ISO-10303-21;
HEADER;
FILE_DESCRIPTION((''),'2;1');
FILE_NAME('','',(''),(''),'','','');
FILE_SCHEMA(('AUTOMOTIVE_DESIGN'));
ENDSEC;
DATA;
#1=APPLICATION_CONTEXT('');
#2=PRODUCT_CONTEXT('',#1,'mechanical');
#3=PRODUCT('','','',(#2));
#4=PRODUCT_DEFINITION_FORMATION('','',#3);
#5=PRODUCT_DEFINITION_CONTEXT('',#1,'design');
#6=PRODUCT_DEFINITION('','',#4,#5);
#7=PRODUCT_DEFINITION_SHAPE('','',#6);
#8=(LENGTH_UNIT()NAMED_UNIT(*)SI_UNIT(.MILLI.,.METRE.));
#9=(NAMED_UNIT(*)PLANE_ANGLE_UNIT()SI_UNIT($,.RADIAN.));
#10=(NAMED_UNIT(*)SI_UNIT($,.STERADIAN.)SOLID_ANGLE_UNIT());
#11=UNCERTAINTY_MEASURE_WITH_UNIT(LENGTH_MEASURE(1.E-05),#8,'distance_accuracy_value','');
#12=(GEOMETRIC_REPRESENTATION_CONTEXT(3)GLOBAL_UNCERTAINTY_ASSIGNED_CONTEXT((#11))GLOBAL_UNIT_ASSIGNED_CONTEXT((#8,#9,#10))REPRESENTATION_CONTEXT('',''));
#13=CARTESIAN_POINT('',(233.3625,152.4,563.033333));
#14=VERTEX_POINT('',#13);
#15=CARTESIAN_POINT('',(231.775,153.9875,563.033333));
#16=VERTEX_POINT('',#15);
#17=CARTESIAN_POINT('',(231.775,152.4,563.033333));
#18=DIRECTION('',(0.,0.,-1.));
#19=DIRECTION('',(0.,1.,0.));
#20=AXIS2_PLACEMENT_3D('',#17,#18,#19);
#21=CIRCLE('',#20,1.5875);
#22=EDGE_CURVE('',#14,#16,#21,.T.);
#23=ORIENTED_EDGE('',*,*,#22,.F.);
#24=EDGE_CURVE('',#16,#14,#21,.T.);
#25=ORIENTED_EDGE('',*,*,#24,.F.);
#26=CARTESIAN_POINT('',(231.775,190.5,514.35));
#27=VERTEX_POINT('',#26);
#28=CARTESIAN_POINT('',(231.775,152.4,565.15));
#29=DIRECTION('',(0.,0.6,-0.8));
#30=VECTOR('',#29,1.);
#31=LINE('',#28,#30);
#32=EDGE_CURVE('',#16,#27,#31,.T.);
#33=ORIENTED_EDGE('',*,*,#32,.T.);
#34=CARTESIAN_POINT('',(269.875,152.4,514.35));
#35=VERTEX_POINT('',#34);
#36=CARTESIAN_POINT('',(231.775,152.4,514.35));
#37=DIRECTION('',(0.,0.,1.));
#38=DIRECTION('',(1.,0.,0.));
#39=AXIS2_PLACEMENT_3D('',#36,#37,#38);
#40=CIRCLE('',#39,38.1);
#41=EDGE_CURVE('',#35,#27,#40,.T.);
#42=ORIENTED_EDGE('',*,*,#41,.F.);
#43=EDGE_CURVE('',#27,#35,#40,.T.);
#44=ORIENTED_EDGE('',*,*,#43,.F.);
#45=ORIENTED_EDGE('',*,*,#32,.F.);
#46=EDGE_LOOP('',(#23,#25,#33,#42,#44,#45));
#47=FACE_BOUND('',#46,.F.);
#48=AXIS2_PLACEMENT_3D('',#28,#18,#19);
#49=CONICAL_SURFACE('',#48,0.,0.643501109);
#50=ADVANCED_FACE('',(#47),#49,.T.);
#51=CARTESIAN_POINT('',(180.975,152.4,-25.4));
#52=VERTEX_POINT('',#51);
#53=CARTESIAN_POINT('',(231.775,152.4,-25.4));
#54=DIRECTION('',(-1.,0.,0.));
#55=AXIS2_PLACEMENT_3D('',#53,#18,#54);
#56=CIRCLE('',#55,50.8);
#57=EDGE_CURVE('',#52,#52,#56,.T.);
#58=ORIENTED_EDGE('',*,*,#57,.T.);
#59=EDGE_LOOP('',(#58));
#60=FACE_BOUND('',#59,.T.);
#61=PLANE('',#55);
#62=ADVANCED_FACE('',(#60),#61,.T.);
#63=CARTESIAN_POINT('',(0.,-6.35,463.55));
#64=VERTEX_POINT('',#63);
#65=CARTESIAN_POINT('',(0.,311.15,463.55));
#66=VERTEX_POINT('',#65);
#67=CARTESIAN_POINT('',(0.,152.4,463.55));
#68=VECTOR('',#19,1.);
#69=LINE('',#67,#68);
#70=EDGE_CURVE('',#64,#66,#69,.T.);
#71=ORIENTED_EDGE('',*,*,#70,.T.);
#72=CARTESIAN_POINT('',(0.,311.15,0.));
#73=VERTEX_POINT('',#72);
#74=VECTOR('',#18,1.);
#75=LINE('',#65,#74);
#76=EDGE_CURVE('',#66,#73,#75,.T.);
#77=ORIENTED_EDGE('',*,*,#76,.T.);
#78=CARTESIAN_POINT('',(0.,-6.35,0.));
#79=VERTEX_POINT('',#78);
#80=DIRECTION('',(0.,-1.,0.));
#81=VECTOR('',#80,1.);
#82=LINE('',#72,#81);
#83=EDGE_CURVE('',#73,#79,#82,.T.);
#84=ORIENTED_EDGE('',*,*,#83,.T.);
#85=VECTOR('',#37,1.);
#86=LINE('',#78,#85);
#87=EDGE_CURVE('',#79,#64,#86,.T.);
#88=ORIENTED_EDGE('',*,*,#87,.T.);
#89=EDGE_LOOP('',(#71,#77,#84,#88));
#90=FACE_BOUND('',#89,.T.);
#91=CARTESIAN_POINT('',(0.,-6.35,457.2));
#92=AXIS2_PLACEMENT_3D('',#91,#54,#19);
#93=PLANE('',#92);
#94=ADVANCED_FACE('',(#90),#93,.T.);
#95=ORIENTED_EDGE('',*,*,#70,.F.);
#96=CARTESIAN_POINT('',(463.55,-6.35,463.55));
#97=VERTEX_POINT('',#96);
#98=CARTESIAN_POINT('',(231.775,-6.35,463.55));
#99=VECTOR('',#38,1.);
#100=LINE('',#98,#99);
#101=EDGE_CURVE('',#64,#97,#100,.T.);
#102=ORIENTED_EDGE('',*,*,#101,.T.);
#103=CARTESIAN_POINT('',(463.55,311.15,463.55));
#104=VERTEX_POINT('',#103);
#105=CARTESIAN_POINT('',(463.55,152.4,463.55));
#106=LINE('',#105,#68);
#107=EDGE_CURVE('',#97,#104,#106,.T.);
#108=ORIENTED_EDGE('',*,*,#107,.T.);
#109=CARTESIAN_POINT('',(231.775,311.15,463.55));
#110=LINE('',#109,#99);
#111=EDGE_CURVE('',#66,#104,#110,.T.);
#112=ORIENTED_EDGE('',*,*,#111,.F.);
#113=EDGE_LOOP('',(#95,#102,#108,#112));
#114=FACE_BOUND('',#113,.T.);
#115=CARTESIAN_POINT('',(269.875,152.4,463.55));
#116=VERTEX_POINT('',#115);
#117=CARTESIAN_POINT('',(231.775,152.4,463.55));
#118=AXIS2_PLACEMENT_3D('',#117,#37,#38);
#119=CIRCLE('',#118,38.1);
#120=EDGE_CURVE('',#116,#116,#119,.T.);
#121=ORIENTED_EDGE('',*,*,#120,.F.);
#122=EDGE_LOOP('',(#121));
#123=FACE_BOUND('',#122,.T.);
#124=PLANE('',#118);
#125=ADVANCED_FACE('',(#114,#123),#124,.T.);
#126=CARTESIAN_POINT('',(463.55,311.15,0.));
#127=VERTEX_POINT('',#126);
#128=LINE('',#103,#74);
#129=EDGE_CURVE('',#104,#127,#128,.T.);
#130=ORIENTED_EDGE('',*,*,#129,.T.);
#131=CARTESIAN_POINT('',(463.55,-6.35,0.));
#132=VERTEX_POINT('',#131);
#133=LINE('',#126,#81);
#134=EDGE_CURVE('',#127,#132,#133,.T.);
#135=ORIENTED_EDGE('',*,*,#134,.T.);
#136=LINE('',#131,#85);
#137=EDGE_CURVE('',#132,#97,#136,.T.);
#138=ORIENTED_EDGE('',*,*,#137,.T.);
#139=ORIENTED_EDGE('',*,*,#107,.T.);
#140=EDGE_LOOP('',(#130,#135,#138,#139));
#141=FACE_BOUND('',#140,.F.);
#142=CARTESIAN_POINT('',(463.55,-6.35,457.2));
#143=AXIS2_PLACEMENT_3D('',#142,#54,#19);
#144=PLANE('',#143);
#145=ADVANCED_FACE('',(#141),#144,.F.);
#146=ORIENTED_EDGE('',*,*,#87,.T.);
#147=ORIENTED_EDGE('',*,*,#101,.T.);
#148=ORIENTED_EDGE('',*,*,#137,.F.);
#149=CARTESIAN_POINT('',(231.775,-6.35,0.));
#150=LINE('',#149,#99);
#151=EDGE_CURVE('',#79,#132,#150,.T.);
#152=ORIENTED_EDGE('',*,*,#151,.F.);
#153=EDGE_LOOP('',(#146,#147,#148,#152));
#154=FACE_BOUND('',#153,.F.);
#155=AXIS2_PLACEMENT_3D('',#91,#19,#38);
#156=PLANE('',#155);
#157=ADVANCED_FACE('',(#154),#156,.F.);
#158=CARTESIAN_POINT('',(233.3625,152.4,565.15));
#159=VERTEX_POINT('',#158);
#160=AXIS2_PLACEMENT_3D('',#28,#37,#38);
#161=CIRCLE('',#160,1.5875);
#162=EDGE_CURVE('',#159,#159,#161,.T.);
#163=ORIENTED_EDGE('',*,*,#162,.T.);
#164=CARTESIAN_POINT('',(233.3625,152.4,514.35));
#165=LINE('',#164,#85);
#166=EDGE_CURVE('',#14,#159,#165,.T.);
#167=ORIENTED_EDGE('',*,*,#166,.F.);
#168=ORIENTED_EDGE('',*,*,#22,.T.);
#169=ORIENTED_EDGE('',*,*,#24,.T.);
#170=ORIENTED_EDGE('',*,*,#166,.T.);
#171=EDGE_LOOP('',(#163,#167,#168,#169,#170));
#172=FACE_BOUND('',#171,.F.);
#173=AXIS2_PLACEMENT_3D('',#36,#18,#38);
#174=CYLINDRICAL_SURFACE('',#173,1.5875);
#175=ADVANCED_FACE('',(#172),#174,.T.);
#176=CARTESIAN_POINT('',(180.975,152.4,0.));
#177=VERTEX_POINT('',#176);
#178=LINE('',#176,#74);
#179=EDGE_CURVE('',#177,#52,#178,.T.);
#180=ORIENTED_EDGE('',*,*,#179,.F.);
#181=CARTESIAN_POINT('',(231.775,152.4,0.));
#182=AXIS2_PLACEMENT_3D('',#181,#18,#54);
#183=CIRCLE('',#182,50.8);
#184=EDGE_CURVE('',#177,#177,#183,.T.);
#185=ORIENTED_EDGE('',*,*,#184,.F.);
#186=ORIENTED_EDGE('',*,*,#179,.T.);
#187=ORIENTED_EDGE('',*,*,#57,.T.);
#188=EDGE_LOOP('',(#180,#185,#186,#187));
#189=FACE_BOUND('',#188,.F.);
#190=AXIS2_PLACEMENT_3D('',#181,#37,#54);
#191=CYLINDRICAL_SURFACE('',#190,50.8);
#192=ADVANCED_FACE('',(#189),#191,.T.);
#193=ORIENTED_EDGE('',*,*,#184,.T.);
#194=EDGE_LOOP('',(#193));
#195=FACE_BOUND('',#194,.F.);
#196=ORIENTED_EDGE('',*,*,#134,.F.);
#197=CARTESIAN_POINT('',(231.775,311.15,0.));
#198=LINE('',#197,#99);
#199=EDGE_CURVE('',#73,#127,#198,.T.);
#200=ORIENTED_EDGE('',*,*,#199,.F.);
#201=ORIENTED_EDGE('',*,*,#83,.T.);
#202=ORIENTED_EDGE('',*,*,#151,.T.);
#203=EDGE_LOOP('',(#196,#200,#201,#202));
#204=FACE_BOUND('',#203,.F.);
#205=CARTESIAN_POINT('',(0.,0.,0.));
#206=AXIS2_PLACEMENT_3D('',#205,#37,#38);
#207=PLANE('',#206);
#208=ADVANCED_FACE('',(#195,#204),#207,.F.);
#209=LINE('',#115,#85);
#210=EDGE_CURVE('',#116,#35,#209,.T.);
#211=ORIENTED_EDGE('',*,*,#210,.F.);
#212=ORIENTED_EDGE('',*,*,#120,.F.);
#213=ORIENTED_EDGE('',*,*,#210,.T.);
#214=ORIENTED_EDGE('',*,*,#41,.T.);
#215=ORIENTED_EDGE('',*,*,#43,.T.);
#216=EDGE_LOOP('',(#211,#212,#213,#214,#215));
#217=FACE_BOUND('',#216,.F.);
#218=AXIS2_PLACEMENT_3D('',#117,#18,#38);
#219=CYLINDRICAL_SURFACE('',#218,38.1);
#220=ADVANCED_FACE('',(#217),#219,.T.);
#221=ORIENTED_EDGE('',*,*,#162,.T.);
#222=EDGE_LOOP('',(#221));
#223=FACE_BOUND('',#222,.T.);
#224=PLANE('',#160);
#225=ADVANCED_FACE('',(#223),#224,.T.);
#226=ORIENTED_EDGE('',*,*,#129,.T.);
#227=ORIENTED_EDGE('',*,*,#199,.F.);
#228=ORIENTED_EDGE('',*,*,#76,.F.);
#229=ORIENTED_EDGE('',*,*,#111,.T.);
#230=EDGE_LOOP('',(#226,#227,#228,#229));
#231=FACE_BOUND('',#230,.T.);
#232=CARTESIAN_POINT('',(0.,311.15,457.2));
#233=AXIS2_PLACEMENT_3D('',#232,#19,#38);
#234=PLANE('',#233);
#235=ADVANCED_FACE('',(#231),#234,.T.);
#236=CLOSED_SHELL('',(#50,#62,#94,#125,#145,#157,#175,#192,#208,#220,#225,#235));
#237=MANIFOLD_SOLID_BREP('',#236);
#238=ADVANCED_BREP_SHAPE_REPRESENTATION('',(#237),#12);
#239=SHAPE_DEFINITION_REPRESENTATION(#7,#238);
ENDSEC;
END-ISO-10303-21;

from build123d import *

# Parameters (mm, degrees)
SKETCH1_W           = 457.2
SKETCH1_H           = 304.8
CHAMBER_BASE_DEPTH  = 457.2
SKETCH2_W           = 457.2
SKETCH2_H           = 304.8
BACK_WALL_DEPTH     = 6.35
SKETCH3_W           = 463.55
SKETCH3_H           = 457.2
SIDE_WALL_2_DEPTH   = 6.35
SKETCH5_W           = 463.55
SKETCH5_H           = 457.2
SIDE_WALL_3_DEPTH   = 6.35
SKETCH8_W           = 463.55
SKETCH8_H           = 317.5
TOP_DEPTH           = 6.35
SKETCH9_R           = 38.1
BOSS_EXTRUDE1_DEPTH = 50.8
SKETCH10_R          = 50.8
BOSS_EXTRUDE2_DEPTH = 25.4
SKETCH11_R          = 1.5875
BOSS_EXTRUDE3_DEPTH = 50.8


with BuildPart() as part:
    # Sketch1 → Chamber Base (new body)
    with BuildSketch(Plane.XY):
        with Locations((228.6, 152.4)):
            Rectangle(SKETCH1_W, SKETCH1_H)
    extrude(amount=CHAMBER_BASE_DEPTH)

    # Sketch2 → Back wall (add)
    with BuildSketch(Plane(origin=(457.2, 0, 0), x_dir=(0, 0, -1), z_dir=(1, 0, 0))):
        with Locations((-228.6, 152.4)):
            Rectangle(SKETCH2_W, SKETCH2_H)
    extrude(amount=BACK_WALL_DEPTH)

    # Sketch3 → Side wall 2 (add)
    with BuildSketch(Plane(origin=(0, 304.8, 0), x_dir=(1, 0, 0), z_dir=(0, 1, 0))):
        with Locations((231.775, -228.6)):
            Rectangle(SKETCH3_W, SKETCH3_H)
    extrude(amount=SIDE_WALL_2_DEPTH)

    # Sketch5 → Side wall 3 (add)
    with BuildSketch(Plane.XZ):
        with Locations((231.775, 228.6)):
            Rectangle(SKETCH5_W, SKETCH5_H)
    extrude(amount=SIDE_WALL_3_DEPTH)

    # Sketch8 → Top (add)
    with BuildSketch(Plane.XY.offset(457.2)):
        with Locations((231.775, 152.4)):
            Rectangle(SKETCH8_W, SKETCH8_H)
    extrude(amount=TOP_DEPTH)

    # Sketch9 → Boss-Extrude1 (add)
    with BuildSketch(Plane.XY.offset(463.55)):
        with Locations((231.775, 152.4)):
            Circle(SKETCH9_R)
    extrude(amount=BOSS_EXTRUDE1_DEPTH)

    # Sketch10 → Boss-Extrude2 (add)
    with BuildSketch(Plane(origin=(0, 0, 0), x_dir=(-1, 0, 0), z_dir=(0, 0, -1))):
        with Locations((-231.775, 152.4)):
            Circle(SKETCH10_R)
    extrude(amount=BOSS_EXTRUDE2_DEPTH)

    # Sketch11 → Boss-Extrude3 (add)
    with BuildSketch(Plane.XY.offset(514.35)):
        with Locations((231.775, 152.4)):
            Circle(SKETCH11_R)
    extrude(amount=BOSS_EXTRUDE3_DEPTH)

    # Sketch15 → Revolve1 (revolve)
    with BuildSketch(Plane.ZY.offset(-231.775)):
        Polygon((514.35, 190.5), (514.35, 152.4), (565.15, 152.4), align=None)
    revolve(axis=Axis((231.775, 152.4, 514.35), (0, 0, 1)))


solid = part.part
